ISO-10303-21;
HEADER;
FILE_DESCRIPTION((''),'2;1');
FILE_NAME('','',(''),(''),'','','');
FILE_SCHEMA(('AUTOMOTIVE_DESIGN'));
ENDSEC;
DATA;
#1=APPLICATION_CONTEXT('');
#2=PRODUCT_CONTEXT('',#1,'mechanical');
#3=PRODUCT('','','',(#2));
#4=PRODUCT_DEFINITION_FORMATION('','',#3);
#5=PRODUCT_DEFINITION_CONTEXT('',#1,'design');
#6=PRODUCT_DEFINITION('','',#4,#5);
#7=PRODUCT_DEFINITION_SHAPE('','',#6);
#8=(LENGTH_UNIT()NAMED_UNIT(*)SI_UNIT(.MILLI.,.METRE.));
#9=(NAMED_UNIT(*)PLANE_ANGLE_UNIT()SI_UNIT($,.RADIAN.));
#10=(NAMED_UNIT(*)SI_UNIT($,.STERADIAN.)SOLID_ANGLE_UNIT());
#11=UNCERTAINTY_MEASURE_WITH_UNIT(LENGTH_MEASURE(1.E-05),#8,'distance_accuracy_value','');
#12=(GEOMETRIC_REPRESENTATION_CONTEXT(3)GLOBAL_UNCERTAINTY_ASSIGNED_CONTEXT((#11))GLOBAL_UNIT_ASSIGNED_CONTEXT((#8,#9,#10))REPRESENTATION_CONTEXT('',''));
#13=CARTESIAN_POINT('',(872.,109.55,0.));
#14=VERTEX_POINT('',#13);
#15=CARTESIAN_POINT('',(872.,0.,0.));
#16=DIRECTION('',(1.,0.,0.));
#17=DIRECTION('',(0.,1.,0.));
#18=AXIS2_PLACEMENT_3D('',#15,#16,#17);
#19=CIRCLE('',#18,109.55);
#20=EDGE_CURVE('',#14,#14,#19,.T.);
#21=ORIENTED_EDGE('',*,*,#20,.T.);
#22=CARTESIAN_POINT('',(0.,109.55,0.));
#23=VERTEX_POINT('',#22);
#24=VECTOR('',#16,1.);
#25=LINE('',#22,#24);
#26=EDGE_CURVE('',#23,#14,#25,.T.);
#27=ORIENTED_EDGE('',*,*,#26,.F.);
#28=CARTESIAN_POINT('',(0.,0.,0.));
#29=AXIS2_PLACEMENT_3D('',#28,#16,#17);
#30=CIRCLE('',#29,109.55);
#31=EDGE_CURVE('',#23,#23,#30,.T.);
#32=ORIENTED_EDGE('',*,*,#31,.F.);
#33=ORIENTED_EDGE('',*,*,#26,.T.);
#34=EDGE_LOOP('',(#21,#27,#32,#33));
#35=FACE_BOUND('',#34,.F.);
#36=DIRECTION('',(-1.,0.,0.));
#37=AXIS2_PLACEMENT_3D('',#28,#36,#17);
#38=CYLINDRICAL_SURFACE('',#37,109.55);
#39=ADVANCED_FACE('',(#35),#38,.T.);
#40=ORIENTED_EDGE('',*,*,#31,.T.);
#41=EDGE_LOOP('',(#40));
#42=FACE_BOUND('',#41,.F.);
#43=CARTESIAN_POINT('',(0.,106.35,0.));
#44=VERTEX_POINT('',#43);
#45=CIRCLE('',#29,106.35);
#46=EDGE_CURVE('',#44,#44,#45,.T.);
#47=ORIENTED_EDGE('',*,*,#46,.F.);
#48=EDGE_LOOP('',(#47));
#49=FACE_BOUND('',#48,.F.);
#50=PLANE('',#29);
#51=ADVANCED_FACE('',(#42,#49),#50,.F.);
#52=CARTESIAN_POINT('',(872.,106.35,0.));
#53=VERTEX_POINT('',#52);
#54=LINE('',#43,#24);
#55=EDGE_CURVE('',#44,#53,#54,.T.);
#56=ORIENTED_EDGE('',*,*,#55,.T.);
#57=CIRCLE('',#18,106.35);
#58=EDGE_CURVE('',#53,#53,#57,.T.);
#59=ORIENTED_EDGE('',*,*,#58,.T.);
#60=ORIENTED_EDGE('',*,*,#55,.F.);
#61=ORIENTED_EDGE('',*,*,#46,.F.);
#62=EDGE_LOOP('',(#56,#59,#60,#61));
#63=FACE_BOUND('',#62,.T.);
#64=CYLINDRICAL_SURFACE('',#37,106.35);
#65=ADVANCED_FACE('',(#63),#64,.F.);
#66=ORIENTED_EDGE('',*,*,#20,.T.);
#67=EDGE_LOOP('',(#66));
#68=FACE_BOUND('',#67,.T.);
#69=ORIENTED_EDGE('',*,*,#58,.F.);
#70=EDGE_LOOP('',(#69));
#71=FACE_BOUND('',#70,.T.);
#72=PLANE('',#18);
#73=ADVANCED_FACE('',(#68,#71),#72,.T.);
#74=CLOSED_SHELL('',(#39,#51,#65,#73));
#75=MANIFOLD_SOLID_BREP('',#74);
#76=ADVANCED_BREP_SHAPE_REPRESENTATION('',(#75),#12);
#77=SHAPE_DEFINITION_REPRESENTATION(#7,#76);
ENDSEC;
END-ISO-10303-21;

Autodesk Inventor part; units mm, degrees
ref_plane "YZ Plane" through (0, 0, 0) normal (1, 0, 0) x (0, 1, 0)
ref_plane "XZ Plane" through (0, 0, 0) normal (0, 1, 0) x (-1, 0, 0)
ref_plane "XY Plane" through (0, 0, 0) normal (0, 0, 1) x (1, 0, 0)
sketch "Sketch1" plane through (0, 0, 0) normal (1, 0, 0) x (0, 1, 0)
  circle A0 centre (0, 0) radius 109.55
  circle A1 centre (0, 0) radius 106.35
  dimension "d0" = 219.1
  dimension "d1" = 3.2
extrude "Extrusion1" add sketch "Sketch1" along normal blind 872
equation "\"d0\" = OD"
equation "\"d1\" = t"
equation "\"d2\" = L"
equation "\"OD\" = 219.1"
equation "\"t\" = 3.2"
equation "\"L\" = PL"
equation "\"ID\" = 212.7"
equation "\"PL\" = 872"
equation "\"Size_Designation\" = 1.2345"
properties material "Steel"
